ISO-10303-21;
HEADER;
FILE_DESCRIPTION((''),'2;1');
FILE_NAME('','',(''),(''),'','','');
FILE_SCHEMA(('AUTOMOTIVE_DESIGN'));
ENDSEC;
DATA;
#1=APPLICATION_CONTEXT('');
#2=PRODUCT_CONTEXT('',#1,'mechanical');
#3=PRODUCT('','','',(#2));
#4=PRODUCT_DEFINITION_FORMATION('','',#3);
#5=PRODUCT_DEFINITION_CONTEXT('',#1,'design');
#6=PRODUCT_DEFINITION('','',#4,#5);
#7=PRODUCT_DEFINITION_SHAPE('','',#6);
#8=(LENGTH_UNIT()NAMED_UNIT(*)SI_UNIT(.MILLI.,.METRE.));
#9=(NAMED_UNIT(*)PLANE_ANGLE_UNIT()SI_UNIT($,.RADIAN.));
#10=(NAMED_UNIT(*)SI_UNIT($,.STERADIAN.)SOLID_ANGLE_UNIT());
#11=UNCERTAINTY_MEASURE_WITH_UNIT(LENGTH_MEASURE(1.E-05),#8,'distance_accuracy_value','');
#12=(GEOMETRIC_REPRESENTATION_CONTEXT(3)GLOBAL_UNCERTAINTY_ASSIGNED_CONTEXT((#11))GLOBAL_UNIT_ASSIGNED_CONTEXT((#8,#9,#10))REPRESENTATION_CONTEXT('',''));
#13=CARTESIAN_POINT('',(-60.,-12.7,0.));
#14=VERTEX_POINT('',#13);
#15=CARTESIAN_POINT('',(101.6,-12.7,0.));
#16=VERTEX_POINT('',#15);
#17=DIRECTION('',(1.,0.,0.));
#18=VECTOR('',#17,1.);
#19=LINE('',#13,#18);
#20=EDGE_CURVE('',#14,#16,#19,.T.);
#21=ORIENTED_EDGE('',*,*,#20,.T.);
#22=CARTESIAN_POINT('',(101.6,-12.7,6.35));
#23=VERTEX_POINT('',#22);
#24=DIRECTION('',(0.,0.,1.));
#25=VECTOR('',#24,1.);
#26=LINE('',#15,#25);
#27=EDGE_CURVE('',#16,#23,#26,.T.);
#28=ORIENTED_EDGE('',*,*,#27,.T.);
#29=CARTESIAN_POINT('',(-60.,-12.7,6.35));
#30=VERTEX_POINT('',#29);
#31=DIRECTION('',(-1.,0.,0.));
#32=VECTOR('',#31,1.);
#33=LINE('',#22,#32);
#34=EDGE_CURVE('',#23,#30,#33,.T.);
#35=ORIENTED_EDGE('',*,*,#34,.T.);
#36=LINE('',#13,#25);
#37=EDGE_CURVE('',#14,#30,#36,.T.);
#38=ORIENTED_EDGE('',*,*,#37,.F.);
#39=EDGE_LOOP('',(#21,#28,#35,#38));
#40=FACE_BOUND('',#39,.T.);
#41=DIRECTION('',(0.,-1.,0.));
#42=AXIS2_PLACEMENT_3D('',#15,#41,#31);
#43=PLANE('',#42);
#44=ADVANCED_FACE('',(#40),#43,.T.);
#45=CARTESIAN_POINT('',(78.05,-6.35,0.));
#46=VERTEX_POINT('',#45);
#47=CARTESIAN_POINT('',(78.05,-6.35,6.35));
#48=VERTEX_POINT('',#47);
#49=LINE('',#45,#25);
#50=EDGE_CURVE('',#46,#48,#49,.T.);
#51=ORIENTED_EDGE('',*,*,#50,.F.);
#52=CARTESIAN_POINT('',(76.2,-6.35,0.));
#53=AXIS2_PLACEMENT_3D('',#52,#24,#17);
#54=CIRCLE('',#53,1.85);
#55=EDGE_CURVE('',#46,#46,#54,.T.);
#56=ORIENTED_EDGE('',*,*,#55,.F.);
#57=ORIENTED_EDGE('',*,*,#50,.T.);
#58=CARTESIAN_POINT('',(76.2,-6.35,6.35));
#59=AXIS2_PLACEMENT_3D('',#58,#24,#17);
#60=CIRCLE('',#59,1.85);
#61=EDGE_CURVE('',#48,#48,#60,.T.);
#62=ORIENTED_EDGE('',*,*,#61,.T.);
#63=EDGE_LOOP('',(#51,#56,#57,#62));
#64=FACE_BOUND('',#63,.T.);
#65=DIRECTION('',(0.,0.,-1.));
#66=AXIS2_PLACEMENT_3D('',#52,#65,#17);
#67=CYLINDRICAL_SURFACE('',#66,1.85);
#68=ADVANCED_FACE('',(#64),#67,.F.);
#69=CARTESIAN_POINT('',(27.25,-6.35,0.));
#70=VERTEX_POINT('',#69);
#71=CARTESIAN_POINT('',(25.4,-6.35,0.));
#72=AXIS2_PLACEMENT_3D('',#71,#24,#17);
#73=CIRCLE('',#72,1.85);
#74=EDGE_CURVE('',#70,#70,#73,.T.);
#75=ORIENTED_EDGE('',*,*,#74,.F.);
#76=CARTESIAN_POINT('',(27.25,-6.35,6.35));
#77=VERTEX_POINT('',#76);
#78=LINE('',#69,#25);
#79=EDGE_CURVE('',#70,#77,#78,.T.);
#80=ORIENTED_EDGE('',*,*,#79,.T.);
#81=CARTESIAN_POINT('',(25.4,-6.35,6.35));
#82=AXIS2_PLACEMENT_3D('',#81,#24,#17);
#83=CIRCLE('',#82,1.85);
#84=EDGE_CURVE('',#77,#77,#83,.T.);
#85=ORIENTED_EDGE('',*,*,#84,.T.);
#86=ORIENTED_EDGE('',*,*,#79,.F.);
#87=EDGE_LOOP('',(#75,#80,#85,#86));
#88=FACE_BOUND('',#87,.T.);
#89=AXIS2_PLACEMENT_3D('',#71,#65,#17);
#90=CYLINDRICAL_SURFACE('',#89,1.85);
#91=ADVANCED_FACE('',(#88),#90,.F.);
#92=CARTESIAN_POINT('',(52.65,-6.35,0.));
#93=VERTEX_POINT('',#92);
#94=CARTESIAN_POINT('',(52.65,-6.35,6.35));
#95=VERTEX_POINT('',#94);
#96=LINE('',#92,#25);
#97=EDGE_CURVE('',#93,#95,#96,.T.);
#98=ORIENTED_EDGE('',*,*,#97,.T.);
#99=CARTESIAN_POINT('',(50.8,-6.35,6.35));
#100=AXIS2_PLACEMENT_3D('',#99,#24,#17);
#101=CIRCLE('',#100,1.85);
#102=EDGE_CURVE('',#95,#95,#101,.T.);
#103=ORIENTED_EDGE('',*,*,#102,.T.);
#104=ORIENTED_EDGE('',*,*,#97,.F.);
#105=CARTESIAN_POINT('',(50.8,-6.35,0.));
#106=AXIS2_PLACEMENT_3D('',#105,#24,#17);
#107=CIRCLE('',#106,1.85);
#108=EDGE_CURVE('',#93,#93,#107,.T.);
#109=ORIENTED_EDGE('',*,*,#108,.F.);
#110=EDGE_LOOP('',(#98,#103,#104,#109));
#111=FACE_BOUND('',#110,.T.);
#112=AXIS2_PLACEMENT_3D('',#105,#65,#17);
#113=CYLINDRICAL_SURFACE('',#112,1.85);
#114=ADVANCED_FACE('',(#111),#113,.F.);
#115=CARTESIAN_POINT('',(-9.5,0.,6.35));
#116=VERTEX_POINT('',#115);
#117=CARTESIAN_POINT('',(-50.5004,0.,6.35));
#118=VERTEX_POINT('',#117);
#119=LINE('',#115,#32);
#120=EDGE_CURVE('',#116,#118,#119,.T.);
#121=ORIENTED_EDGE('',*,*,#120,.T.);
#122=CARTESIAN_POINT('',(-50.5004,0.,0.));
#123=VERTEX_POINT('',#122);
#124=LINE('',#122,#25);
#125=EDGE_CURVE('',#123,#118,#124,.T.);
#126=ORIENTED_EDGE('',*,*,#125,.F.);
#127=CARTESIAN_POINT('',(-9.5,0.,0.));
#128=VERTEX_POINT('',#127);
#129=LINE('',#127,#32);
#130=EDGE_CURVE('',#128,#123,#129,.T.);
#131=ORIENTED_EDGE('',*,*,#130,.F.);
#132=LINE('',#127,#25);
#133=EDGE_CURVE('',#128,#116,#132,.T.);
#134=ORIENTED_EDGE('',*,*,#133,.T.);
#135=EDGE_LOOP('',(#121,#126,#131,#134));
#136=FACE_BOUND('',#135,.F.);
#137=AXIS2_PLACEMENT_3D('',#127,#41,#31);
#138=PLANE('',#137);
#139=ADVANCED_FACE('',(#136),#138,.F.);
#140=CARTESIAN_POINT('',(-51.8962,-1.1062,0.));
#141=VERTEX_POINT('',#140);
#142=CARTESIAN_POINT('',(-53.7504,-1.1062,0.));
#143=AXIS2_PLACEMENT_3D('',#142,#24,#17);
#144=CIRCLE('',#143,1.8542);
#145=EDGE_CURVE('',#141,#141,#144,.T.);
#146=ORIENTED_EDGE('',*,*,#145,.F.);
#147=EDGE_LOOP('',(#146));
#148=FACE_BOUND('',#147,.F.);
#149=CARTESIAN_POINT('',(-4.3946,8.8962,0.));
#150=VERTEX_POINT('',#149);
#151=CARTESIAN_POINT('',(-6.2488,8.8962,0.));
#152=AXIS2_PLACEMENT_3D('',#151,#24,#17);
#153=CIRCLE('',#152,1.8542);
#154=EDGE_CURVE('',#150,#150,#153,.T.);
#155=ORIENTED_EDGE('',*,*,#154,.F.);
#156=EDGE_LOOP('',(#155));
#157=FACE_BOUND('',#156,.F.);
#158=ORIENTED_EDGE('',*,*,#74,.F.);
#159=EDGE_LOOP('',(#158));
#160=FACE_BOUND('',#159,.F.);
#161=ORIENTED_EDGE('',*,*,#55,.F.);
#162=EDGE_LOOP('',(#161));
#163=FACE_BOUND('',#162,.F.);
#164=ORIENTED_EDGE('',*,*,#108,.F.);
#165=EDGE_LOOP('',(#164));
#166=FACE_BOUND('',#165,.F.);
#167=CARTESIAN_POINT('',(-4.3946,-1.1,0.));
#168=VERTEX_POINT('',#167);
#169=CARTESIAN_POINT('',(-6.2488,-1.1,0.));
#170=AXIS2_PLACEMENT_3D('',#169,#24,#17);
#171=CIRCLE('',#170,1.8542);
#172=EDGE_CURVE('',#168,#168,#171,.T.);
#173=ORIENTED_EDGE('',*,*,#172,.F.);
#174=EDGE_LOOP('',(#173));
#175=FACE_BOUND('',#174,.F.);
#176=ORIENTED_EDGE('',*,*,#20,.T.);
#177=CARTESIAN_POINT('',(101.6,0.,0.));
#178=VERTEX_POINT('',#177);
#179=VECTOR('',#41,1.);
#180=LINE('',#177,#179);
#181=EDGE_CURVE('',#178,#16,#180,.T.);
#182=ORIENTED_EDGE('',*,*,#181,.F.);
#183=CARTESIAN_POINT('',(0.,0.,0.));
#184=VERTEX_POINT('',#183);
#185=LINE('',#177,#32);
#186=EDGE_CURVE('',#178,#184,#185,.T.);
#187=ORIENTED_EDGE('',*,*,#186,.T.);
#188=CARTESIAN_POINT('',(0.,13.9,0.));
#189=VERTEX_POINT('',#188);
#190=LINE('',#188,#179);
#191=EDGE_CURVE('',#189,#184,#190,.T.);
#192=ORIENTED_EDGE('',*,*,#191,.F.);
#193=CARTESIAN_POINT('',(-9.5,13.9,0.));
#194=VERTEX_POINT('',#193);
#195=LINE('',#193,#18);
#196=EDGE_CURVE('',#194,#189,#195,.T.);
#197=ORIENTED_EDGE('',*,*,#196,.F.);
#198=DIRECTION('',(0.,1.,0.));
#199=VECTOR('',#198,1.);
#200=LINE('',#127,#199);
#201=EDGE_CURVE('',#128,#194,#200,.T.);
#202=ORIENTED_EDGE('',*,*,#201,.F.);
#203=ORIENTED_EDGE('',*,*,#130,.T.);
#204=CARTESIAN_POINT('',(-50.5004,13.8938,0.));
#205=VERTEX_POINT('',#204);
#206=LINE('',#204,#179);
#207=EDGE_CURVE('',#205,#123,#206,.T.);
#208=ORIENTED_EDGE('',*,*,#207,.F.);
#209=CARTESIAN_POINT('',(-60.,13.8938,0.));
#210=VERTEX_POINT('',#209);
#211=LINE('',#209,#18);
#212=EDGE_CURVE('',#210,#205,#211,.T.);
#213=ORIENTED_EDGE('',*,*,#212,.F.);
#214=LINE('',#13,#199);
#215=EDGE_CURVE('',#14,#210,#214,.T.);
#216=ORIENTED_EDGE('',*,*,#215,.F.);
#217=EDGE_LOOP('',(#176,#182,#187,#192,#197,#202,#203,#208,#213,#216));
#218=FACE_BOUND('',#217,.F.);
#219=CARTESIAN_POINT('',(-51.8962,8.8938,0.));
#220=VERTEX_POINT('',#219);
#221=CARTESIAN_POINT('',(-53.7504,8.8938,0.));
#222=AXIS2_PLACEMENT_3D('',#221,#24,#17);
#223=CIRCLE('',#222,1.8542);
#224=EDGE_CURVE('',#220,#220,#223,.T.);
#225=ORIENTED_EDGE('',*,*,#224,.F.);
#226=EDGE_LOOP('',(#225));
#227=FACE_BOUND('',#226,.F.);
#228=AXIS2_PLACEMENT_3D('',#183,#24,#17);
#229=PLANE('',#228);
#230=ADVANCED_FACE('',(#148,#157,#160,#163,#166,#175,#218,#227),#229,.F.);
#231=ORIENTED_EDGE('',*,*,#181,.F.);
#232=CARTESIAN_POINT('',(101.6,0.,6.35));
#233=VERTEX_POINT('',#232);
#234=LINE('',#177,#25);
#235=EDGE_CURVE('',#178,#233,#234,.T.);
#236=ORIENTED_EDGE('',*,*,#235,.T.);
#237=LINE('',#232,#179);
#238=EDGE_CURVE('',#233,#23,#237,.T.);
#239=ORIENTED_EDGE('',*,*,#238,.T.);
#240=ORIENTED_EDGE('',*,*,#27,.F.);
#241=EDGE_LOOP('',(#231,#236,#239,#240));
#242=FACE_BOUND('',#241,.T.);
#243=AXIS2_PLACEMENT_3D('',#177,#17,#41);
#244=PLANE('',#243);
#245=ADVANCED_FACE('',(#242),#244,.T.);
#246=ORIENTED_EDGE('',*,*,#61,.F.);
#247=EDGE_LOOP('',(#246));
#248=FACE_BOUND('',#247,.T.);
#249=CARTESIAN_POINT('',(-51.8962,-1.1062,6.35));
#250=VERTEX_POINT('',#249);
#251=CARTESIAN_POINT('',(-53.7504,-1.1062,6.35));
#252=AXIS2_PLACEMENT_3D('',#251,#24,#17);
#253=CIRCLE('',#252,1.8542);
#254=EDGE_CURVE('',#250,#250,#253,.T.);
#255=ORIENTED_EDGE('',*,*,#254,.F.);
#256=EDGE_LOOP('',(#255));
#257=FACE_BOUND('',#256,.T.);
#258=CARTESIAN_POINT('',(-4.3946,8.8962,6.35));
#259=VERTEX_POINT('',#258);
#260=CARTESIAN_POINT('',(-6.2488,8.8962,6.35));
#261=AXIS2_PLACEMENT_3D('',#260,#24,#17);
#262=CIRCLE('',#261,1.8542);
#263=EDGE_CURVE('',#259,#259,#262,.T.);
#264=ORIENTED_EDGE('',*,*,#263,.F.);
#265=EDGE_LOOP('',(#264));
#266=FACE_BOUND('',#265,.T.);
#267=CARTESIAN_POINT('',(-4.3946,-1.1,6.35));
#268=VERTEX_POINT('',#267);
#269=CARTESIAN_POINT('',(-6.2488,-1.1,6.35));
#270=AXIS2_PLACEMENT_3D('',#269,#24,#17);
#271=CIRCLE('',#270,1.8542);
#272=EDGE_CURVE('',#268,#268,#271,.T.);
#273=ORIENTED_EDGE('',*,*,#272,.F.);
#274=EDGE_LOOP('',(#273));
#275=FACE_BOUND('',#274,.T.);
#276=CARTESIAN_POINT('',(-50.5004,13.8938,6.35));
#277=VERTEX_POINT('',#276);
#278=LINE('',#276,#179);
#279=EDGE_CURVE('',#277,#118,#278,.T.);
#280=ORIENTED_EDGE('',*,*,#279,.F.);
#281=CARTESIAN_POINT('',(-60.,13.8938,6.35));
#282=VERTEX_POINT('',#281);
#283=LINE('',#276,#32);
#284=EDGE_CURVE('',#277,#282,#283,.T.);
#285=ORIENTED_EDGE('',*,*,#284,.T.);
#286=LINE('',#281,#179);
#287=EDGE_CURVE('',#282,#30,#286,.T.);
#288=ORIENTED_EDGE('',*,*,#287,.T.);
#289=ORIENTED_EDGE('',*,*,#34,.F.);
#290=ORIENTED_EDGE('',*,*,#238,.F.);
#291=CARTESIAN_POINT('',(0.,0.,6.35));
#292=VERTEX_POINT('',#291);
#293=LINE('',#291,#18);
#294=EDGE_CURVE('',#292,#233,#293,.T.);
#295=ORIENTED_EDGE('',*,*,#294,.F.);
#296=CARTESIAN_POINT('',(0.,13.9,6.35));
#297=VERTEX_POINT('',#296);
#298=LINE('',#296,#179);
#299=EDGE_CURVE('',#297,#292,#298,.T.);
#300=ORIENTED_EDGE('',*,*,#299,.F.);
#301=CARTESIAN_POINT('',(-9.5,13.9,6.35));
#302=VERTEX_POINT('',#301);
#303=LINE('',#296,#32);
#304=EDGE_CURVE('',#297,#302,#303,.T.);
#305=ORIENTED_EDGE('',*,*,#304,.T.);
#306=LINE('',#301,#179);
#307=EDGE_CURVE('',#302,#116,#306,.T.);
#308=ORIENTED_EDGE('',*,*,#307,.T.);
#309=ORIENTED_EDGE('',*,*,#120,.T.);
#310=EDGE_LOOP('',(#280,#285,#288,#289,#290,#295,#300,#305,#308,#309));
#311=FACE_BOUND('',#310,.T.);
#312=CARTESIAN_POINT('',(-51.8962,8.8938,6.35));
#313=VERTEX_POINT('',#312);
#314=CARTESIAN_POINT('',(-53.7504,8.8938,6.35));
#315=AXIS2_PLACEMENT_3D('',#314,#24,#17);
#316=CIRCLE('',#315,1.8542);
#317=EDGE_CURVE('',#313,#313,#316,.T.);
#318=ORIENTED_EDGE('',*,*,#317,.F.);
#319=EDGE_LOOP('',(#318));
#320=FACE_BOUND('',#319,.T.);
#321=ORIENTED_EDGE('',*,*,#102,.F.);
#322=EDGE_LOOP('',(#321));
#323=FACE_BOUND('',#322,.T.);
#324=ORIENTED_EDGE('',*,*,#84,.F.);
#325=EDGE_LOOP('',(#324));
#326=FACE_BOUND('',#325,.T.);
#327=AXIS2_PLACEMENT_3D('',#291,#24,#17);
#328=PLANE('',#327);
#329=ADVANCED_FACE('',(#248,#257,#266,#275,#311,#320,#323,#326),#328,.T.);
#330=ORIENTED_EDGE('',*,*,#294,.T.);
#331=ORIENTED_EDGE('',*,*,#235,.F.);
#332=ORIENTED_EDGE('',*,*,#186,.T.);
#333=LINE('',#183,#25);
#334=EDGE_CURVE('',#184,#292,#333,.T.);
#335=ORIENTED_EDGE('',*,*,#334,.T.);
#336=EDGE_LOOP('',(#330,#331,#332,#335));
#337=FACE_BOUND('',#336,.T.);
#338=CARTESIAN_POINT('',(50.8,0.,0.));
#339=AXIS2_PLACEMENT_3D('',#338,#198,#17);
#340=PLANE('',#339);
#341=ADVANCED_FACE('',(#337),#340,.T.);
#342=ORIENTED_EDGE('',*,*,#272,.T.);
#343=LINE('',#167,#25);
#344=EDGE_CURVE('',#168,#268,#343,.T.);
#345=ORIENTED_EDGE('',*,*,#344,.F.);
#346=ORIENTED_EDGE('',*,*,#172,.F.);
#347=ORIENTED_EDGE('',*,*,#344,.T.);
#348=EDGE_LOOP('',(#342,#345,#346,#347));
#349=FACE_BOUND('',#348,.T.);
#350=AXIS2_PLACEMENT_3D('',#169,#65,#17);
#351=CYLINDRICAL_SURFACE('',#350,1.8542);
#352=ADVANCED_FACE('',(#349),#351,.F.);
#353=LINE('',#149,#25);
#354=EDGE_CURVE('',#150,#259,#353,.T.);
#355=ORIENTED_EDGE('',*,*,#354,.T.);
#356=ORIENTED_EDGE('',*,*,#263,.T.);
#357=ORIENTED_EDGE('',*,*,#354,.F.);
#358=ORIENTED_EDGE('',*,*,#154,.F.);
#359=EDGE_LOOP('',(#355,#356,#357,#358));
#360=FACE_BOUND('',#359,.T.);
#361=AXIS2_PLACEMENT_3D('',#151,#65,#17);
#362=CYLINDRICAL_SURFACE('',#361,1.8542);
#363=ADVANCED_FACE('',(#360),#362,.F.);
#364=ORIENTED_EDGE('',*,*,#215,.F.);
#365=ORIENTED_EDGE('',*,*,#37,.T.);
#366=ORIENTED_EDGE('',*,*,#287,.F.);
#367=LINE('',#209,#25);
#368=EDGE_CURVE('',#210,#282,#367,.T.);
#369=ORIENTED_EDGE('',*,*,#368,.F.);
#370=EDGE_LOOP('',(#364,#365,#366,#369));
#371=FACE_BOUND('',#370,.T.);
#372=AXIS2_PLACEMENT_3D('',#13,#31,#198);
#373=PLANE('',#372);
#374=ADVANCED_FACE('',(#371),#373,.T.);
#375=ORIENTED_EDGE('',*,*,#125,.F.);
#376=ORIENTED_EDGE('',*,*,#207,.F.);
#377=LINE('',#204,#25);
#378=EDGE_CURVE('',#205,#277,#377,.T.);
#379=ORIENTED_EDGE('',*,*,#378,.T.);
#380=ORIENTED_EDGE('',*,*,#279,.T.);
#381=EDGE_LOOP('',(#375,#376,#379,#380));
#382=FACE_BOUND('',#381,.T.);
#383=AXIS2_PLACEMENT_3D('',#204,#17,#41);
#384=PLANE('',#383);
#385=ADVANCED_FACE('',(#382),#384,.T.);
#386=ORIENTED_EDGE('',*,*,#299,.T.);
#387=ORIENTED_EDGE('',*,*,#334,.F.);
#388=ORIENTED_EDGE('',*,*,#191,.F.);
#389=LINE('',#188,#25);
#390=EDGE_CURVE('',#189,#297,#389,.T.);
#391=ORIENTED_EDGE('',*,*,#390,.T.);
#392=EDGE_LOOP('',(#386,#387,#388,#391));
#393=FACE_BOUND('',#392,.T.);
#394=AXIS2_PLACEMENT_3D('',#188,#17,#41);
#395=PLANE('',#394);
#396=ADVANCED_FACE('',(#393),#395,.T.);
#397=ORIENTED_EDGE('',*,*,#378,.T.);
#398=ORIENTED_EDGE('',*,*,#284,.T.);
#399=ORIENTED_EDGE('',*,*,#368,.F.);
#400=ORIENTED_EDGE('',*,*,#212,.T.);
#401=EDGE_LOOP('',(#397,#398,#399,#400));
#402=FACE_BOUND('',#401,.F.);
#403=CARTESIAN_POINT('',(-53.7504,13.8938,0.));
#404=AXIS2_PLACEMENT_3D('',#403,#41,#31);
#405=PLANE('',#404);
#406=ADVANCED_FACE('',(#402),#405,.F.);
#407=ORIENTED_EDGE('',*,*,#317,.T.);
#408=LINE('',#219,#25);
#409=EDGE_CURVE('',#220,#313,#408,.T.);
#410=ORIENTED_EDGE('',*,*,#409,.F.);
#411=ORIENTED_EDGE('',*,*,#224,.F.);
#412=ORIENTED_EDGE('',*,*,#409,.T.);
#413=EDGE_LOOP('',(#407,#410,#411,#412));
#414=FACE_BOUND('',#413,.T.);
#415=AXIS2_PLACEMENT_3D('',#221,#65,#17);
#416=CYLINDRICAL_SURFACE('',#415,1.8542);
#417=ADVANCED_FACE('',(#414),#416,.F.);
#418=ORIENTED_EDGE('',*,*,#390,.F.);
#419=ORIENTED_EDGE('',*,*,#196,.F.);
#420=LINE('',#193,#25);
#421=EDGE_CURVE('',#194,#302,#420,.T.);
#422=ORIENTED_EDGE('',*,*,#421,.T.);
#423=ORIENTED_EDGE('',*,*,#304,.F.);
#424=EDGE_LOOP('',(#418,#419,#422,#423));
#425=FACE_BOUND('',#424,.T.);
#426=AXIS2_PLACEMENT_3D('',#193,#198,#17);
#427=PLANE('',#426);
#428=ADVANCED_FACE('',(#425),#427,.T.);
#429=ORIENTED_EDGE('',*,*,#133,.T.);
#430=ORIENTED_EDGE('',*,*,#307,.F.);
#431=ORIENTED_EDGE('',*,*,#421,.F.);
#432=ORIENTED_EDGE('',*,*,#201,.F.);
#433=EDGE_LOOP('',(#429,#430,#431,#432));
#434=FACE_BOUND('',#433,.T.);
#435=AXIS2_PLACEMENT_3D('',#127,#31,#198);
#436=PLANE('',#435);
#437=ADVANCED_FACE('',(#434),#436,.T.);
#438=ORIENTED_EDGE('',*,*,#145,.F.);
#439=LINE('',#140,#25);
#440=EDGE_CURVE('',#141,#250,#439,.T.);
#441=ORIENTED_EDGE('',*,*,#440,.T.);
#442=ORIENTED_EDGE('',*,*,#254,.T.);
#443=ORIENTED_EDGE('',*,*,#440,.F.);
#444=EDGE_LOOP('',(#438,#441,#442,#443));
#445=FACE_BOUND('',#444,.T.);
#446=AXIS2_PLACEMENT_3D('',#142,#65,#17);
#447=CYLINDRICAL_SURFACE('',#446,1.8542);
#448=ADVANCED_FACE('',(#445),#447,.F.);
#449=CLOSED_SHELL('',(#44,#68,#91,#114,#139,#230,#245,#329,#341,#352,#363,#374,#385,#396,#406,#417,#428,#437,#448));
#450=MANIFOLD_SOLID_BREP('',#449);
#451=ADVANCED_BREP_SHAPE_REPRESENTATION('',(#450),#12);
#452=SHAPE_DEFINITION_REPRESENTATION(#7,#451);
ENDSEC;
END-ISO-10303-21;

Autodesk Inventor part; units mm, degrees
ref_plane "YZ Plane" through (0, 0, 0) normal (1, 0, 0) x (0, 1, 0)
ref_plane "XZ Plane" through (0, 0, 0) normal (0, 1, 0) x (-1, 0, 0)
ref_plane "XY Plane" through (0, 0, 0) normal (0, 0, 1) x (1, 0, 0)
sketch "Sketch1" plane through (0, 0, 0) normal (0, 0, 1) x (1, 0, 0)
  line L0 (101.6, 0) -> (101.6, -12.7)
  line L1 (101.6, -12.7) -> (0, -12.7)
  line L2 (50.8, 0) -> (0, 0)
  line L3 (50.8, 0) -> (101.6, 0)
  line L4 (0, -12.7) -> (50.8, -12.7)
  line L5 (50.8, -12.7) -> (101.6, -12.7)
  circle A0 centre (25.4, -6.35) radius 1.85
  circle A1 centre (50.8, -6.35) radius 1.85
  circle A2 centre (76.2, -6.35) radius 1.85
  line L6 (0, -12.7) -> (-60, -12.7)
  line L7 (-60, -12.7) -> (-60, 0)
  line L8 (-9.5, 0) -> (-9.5, 13.9)
  line L9 (-9.5, 13.9) -> (0, 13.9)
  line L10 (0, 13.9) -> (0, 0)
  line L11 (-50.5004, 13.8938) -> (-60, 13.8938)
  line L12 (-60, 13.8938) -> (-60, 0)
  line L13 (-50.5004, 13.8938) -> (-53.7504, 13.8938)
  circle A3 centre (-53.7504, 8.8938) radius 1.8542
  line L14 (-9.5, 13.9) -> (-6.2488, 13.9)
  line L15 (-9.5, 8.8962) -> (-9.5, 13.9)
  circle A4 centre (-6.2488, 8.8962) radius 1.8542
  line L16 (-53.7504, 13.8938) -> (-50.5004, 13.8938)
  circle A5 centre (-53.7504, -1.1062) radius 1.8542
  circle A6 centre (-6.2488, -1.1) radius 1.8542
  line L17 (-9.5, 0) -> (-50.5004, 0)
  line L18 (-50.5004, 13.8938) -> (-50.5004, 0)
  line L19 (0, 0) -> (0, -12.7)
  line L20 (0, 0) -> (101.6, 0)
  line L21 (101.6, 0) -> (101.6, -12.7)
  line L22 (101.6, -12.7) -> (0, -12.7)
  line L23 (-60, 13.8938) -> (-60, -12.7)
  line L24 (-60, -12.7) -> (0, -12.7)
  line L25 (0, -12.7) -> (0, 13.9)
  line L26 (0, 13.9) -> (-9.5, 13.9)
  line L27 (-9.5, 0) -> (-50.5004, 0)
  line L28 (-50.5004, 13.8938) -> (-60, 13.8938)
  dimension "d0" = 101.6
  dimension "d1" = 12.7
  dimension "d2" = 3.7
  dimension "d3" = 3.7
  dimension "d4" = 3.7
  dimension "d5" = 60
  dimension "d6" = 9.5
  dimension "d7" = 13.9
  dimension "d8" = 9.4996
  dimension "d9" = 13.8938
  dimension "d12" = 3.7084
  dimension "d15" = 3.7084
  dimension "d17" = 3.7084
  dimension "d19" = 3.7084
extrude "Extrusion1" add sketch "Sketch1" along normal blind 6.35
properties part number "flapperservomount"
